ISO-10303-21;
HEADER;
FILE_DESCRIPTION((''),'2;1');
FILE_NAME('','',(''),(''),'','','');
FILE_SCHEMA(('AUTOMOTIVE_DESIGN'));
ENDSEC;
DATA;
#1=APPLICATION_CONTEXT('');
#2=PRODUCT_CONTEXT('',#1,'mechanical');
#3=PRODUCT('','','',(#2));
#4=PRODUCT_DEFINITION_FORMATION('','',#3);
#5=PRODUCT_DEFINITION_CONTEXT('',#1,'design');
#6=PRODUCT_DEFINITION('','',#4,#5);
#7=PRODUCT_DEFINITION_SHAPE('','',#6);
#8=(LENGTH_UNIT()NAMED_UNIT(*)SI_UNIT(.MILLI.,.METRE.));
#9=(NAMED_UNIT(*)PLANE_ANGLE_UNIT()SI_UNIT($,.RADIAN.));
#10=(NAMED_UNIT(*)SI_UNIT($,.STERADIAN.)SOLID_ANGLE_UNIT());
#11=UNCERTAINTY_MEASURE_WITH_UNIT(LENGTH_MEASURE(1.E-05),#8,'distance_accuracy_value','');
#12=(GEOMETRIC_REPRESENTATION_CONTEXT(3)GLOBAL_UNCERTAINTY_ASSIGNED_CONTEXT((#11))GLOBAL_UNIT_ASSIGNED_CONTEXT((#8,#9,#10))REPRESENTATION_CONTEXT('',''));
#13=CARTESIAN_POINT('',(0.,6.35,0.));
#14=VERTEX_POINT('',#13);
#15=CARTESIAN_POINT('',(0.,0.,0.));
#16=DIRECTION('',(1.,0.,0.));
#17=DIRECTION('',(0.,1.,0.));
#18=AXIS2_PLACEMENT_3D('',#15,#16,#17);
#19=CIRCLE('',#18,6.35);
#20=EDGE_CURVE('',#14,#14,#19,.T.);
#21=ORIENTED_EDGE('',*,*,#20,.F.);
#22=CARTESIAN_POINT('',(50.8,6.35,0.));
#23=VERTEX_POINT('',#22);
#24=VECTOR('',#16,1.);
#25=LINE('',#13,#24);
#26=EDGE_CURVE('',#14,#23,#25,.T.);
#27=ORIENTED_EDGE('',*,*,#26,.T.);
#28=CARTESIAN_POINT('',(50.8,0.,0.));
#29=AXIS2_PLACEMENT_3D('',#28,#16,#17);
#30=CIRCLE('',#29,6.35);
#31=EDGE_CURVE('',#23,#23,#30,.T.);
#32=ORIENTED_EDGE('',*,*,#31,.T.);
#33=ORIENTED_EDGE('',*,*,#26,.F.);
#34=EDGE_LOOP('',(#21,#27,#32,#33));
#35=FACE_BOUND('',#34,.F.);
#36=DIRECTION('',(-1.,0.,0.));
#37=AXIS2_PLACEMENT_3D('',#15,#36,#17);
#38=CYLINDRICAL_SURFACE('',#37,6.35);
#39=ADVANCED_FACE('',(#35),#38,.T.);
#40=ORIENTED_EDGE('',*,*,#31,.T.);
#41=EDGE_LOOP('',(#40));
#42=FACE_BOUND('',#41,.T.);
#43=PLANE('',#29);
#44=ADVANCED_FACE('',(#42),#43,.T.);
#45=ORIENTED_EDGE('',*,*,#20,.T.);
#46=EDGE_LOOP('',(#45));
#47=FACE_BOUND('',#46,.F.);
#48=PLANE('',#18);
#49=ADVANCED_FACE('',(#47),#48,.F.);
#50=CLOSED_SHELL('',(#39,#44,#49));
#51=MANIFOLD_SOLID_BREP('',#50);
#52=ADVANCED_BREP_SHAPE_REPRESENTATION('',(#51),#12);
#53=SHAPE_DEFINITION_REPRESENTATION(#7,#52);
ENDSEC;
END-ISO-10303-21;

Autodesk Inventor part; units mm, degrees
ref_plane "YZ Plane" through (0, 0, 0) normal (1, 0, 0) x (0, 1, 0)
ref_plane "XZ Plane" through (0, 0, 0) normal (0, 1, 0) x (-1, 0, 0)
ref_plane "XY Plane" through (0, 0, 0) normal (0, 0, 1) x (1, 0, 0)
sketch "Sketch1" plane through (0, 0, 0) normal (0, 0, 1) x (1, 0, 0)
  point P0 (0, 0)
sketch "Sketch2" plane through (0, 0, 0) normal (1, 0, 0) x (0, 1, 0)
  circle A0 centre (0, 0) radius 6.35
  dimension "d0" = 12.7
extrude "Extrusion1" add sketch "Sketch2" along normal blind 50.8
equation "\"BendRadius\" = Thickness"
equation "\"BendReliefWidth\" = Thickness"
equation "\"BendReliefDepth\" = 0.5 * Thickness"
equation "\"CornerReliefSize\" = 4 * Thickness"
equation "\"MinimumRemnant\" = 2 * Thickness"
equation "\"TransitionRadius\" = BendRadius"
equation "\"JacobiRadiusSize\" = BendRadius"
equation "\"GapSize\" = Thickness"
equation "\"Thickness\" = 3.048"
properties part number "new slider"
